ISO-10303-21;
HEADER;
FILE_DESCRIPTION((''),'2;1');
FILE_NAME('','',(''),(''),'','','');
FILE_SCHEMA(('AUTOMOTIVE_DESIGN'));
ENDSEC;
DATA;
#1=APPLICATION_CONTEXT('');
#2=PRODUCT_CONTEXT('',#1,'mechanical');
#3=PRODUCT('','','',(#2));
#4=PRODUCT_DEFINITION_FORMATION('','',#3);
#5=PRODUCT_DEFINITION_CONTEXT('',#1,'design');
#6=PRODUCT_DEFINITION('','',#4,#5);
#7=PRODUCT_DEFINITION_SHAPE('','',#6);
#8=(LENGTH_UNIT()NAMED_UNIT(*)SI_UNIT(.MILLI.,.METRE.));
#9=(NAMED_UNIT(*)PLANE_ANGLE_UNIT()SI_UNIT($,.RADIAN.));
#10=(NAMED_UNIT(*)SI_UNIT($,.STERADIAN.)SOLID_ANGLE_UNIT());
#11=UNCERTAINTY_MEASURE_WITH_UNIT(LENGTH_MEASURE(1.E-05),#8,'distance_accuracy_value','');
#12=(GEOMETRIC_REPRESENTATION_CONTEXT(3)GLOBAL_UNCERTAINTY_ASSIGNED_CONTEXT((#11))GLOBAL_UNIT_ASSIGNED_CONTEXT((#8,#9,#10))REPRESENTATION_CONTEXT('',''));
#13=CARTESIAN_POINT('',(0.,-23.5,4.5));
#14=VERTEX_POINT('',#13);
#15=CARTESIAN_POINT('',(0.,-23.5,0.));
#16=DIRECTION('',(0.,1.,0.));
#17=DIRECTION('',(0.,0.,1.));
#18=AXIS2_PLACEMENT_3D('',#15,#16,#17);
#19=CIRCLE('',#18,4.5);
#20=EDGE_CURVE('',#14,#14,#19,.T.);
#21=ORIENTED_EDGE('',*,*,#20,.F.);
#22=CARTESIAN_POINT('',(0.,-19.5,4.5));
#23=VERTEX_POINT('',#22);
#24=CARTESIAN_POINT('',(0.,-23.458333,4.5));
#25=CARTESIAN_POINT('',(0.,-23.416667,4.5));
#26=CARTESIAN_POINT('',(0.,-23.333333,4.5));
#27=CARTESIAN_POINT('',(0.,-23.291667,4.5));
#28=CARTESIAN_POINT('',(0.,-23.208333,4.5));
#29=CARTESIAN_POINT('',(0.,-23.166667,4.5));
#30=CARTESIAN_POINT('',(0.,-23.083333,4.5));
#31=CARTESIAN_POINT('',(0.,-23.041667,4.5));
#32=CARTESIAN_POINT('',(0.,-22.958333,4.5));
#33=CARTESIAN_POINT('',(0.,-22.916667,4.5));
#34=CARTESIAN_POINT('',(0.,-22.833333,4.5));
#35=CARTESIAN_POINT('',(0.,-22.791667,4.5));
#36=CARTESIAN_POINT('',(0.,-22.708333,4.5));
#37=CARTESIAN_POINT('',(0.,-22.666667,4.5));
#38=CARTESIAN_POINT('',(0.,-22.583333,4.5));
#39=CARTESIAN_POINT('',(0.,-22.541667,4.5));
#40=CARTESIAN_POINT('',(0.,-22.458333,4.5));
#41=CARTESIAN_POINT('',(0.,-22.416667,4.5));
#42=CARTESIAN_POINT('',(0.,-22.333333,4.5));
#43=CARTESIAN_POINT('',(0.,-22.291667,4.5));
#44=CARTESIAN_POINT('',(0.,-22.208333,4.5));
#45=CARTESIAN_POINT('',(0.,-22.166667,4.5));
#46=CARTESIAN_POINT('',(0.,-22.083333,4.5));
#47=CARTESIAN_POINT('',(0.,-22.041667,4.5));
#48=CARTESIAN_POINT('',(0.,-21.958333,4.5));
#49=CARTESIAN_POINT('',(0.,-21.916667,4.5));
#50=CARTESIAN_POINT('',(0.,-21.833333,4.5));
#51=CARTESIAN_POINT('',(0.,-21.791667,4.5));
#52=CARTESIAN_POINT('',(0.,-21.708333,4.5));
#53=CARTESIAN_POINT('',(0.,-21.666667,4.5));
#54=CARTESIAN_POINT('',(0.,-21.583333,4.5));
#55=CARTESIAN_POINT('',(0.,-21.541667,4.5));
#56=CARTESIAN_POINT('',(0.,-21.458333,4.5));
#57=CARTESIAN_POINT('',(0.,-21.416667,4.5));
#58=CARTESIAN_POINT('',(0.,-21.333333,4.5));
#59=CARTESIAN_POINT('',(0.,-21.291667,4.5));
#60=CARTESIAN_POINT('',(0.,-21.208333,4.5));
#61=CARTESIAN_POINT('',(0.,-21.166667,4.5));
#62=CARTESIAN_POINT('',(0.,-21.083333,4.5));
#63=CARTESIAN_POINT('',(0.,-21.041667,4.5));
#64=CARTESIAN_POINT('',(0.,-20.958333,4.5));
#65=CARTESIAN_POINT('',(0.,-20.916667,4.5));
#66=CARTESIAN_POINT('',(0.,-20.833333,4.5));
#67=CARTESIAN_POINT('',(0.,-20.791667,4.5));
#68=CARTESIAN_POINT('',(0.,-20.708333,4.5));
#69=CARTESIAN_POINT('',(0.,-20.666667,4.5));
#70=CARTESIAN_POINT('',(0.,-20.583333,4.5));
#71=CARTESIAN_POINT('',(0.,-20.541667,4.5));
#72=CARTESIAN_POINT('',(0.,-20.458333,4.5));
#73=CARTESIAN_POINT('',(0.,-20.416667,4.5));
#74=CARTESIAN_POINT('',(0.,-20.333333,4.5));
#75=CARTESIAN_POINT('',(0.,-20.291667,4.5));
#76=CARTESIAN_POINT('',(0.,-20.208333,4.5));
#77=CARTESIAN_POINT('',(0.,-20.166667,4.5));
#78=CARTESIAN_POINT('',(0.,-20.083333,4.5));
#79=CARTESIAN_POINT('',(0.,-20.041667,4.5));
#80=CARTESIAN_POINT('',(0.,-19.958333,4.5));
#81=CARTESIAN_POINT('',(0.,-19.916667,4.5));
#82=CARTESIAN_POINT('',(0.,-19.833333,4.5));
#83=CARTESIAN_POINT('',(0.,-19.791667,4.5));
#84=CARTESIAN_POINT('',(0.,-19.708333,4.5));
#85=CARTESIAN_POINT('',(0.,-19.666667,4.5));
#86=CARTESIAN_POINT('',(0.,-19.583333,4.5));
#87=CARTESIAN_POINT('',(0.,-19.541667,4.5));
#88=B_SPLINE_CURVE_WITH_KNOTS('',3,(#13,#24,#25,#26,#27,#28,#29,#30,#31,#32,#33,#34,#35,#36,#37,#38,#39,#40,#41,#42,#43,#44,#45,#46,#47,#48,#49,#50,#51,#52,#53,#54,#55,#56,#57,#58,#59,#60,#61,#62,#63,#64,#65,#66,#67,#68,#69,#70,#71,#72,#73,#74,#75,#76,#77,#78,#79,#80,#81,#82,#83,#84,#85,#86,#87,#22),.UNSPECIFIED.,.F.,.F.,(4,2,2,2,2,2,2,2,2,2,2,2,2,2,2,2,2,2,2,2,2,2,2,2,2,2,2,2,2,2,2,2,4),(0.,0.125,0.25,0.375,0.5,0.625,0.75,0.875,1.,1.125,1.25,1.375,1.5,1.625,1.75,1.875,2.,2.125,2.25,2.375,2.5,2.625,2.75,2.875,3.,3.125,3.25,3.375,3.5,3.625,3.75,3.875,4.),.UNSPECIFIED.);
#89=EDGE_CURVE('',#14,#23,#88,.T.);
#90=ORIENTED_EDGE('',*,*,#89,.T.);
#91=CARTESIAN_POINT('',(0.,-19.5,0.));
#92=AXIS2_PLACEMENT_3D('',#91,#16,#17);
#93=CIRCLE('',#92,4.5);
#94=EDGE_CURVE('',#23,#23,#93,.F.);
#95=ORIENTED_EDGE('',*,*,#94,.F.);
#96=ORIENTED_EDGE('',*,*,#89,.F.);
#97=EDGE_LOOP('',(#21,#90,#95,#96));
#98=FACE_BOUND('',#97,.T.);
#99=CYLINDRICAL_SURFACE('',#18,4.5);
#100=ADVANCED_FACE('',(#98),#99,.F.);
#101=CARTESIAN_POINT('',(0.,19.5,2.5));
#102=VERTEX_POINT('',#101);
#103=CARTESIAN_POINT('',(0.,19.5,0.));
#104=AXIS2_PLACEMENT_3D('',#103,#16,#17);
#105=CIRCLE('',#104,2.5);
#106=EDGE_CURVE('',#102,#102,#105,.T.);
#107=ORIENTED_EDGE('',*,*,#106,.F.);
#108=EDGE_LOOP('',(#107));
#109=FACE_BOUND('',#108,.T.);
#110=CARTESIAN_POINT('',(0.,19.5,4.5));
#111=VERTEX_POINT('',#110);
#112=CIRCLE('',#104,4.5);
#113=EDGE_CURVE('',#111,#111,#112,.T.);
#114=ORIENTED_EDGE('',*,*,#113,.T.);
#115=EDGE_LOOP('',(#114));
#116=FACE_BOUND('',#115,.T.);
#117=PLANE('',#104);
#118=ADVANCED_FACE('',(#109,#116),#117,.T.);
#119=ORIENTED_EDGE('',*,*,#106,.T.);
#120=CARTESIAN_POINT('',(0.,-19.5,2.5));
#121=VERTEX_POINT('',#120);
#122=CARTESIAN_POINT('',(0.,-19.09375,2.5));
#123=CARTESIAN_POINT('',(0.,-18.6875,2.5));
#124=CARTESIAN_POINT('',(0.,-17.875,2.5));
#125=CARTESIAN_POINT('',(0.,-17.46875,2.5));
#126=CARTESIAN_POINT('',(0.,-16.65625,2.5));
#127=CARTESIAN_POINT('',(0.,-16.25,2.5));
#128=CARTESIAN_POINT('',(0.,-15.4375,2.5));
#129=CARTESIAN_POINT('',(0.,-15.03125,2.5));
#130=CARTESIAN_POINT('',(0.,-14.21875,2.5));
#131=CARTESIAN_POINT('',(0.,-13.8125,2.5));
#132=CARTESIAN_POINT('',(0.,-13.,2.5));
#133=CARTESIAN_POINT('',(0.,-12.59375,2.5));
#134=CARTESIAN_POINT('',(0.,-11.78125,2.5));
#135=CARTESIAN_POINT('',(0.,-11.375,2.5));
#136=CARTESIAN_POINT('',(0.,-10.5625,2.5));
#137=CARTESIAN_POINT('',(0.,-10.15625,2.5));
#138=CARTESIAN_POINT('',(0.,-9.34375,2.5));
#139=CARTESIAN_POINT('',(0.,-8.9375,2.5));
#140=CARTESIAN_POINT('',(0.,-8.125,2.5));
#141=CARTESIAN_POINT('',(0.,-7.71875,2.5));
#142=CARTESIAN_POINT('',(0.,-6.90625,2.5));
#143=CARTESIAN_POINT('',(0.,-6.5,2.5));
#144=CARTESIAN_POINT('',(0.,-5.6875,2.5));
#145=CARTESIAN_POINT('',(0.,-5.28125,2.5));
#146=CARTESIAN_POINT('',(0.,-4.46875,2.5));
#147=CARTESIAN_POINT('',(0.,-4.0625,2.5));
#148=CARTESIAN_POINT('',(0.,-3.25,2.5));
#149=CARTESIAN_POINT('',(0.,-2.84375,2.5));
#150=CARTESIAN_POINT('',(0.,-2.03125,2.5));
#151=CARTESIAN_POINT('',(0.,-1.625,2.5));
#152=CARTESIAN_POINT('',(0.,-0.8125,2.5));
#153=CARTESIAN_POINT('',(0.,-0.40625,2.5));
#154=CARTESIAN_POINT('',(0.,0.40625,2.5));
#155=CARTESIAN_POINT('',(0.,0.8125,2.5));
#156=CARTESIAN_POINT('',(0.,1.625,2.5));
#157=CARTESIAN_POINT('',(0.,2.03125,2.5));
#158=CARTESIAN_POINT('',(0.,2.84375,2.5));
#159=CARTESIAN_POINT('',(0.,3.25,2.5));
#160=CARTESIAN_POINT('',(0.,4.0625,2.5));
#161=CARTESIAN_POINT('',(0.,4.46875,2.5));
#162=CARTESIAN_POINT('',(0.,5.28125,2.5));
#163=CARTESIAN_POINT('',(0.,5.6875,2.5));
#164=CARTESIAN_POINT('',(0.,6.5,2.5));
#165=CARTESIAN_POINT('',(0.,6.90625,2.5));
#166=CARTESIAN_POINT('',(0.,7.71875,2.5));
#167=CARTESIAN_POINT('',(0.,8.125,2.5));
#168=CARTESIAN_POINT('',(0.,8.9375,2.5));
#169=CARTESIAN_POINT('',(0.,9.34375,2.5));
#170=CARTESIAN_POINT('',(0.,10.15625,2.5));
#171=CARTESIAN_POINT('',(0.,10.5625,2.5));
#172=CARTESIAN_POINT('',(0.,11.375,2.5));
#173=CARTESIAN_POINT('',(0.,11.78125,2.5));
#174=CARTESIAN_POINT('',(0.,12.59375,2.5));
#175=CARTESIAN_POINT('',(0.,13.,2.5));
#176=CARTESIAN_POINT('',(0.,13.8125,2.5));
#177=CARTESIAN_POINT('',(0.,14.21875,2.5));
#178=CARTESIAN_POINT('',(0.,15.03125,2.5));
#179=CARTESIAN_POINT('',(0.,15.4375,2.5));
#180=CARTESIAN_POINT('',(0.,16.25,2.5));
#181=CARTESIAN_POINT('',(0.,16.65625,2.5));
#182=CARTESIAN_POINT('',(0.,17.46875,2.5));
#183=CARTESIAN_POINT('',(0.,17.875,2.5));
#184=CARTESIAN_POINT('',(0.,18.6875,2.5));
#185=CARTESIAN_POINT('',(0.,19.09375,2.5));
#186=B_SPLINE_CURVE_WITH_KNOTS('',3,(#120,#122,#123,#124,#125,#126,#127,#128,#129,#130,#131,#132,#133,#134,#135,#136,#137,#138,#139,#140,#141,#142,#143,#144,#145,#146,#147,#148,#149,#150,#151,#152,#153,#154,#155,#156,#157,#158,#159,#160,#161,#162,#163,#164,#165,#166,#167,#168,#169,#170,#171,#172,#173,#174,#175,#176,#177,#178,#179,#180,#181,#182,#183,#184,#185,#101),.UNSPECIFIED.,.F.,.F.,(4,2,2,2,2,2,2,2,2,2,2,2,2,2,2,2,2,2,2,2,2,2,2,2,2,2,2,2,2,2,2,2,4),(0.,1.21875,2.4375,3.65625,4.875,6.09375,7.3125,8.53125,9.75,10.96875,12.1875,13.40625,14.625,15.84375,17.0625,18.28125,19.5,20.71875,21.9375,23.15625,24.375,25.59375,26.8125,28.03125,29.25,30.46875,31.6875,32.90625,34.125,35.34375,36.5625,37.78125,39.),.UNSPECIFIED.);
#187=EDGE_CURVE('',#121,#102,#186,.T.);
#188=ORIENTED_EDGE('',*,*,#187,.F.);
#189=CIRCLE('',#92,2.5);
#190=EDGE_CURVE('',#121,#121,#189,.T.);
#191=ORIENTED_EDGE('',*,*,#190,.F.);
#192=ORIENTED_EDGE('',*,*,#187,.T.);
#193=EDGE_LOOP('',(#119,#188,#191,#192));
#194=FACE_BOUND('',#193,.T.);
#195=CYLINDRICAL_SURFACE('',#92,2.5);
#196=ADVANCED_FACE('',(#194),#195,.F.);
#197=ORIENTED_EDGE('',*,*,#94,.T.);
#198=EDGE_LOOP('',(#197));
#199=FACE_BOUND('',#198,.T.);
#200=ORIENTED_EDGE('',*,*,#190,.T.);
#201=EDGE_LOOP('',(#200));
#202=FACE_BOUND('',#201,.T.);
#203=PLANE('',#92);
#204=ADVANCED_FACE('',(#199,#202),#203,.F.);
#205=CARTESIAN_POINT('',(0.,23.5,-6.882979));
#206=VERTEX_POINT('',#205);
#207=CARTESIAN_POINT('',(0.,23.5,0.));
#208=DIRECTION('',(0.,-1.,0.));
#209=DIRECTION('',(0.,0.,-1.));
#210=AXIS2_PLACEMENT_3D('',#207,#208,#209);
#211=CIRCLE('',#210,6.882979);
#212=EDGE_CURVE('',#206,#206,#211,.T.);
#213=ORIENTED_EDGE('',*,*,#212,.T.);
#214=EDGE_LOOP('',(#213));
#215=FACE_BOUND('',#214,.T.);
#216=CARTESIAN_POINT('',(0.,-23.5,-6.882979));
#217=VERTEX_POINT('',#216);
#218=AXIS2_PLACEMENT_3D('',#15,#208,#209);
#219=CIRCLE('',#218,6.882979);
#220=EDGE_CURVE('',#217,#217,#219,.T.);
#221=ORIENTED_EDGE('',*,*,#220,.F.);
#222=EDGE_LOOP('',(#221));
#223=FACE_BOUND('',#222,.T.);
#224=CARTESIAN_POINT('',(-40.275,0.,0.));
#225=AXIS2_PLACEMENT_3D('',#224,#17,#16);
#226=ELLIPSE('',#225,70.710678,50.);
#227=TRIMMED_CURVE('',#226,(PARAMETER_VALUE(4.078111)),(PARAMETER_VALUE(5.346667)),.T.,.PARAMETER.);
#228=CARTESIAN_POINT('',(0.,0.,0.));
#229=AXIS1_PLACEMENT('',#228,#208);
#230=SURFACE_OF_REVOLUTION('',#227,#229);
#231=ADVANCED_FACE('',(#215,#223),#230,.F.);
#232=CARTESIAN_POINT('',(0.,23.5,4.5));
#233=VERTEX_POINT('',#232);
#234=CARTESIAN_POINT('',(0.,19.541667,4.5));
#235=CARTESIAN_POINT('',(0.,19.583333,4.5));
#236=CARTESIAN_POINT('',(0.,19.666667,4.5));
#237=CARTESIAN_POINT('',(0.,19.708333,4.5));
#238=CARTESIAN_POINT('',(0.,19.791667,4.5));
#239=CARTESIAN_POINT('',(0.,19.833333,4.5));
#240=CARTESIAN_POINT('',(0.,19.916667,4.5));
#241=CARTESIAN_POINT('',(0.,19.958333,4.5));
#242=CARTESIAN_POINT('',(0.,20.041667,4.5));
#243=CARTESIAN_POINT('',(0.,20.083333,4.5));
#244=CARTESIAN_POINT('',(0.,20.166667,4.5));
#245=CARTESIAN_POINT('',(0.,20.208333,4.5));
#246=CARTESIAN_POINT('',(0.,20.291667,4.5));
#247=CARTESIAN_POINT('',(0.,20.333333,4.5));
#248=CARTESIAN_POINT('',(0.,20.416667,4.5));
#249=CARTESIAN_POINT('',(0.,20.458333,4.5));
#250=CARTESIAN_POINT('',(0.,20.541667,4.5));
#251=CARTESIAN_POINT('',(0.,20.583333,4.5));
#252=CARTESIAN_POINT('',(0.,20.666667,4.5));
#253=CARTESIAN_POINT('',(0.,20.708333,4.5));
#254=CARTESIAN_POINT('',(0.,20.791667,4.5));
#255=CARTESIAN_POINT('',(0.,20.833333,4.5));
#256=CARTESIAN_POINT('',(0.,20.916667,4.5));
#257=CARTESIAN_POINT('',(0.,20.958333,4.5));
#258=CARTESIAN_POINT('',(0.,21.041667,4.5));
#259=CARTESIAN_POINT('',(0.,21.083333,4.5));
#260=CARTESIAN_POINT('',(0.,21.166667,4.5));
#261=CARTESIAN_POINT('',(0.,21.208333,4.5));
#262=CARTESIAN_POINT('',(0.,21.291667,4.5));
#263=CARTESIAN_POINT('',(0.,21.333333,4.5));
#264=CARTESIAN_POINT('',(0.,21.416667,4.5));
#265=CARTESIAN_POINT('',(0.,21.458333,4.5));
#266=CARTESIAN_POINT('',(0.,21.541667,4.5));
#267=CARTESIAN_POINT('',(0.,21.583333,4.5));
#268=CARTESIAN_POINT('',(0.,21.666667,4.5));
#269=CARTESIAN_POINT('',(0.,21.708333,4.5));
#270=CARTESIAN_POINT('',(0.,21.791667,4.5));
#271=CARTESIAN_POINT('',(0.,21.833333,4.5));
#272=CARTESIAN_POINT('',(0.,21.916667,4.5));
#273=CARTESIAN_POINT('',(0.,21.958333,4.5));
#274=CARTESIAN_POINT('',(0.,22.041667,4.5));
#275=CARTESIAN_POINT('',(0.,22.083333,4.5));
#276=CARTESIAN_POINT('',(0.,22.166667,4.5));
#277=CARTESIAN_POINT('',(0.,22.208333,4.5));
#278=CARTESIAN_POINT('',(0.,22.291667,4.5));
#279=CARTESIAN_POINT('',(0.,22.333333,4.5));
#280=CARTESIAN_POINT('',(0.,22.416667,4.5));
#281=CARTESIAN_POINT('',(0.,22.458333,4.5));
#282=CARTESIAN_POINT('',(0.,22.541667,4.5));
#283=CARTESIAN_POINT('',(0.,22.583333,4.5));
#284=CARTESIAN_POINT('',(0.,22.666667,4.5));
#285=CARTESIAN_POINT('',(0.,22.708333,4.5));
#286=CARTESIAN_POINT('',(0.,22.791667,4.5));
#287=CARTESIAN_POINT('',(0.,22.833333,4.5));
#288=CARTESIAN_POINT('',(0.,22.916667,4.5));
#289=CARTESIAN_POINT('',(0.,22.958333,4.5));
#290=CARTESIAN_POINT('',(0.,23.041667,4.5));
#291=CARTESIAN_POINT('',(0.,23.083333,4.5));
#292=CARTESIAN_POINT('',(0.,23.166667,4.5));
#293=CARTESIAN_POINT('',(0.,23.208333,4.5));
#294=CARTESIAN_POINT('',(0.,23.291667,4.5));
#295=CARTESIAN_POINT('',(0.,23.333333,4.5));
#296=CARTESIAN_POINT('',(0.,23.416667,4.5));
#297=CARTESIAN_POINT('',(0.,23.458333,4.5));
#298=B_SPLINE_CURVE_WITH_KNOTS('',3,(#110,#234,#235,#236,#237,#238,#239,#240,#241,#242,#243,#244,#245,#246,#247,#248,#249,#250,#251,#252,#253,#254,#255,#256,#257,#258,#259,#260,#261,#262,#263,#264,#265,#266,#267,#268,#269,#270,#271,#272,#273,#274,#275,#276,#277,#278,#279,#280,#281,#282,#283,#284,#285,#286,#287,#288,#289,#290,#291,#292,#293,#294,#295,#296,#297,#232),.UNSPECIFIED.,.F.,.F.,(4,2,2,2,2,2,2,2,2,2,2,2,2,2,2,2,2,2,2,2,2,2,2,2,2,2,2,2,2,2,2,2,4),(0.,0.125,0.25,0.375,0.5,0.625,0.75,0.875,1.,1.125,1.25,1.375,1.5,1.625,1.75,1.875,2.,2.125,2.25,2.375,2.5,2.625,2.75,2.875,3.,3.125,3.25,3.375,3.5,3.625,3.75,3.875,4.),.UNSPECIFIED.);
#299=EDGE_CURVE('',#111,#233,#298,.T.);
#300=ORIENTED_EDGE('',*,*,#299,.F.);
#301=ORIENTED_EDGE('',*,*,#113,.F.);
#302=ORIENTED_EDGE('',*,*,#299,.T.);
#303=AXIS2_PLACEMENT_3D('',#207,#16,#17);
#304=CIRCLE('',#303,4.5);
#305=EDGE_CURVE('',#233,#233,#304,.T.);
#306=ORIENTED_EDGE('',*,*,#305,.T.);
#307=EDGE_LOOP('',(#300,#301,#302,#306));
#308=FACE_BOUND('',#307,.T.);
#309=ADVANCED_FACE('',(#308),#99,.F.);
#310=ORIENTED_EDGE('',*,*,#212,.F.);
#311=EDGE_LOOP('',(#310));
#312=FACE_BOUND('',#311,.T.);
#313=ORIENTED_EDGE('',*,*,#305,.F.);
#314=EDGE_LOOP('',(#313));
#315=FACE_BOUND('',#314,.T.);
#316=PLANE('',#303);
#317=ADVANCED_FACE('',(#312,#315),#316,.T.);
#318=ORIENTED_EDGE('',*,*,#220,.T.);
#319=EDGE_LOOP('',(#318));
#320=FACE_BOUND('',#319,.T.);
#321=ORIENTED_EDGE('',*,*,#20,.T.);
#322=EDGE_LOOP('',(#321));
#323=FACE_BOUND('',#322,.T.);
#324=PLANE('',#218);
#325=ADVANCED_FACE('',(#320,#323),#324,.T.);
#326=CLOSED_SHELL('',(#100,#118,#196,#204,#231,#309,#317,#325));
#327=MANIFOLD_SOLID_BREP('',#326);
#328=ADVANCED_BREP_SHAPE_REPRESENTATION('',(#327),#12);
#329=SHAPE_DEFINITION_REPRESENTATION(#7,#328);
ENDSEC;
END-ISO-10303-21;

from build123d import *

# Parameters (mm, degrees)
SKETCH_2_R           = 4.5
CUT_EXTRUDE_1_DEPTH  = 49.970922631
EXTRUDE_1_DEPTH      = 19.5
EXTRUDE_1_DEPTH_BACK = 19.5
SKETCH_3_R           = 4.5
SKETCH_3_R_2         = 2.5


with BuildPart() as part:
    # ｽｹｯﾁ1 → 回転1 (revolve)
    with BuildSketch(Plane.XY):
        with BuildLine():
            Line((0, 23.5), (6.882979176, 23.5))
            add(Edge.make_bspline(
                [(6.882979176, -23.5), (12.738297933, 0), (6.882979176, 23.5)],
                knots=[4.373605266, 4.373605266, 4.373605266, 5.051172695, 5.051172695, 5.051172695], degree=2, weights=[1, 0.943159584, 1]))
            Line((6.882979176, -23.5), (0, -23.5))
            Line((0, -23.5), (0, 23.5))
        make_face()
    revolve(axis=Axis((0, 0, 0), (0, 1, 0)))

    # ｽｹｯﾁ2 → ｶｯﾄ - 押し出し1 (cut, through all)
    with BuildSketch(Plane(origin=(0, 23.5, 0), x_dir=(1, 0, 0), z_dir=(0, 1, 0))):
        with Locations(Location((0, 0, 0), (0, 0, 270))):
            Circle(SKETCH_2_R)
    extrude(amount=-CUT_EXTRUDE_1_DEPTH, mode=Mode.SUBTRACT)

    # ｽｹｯﾁ3 → ﾎﾞｽ - 押し出し1 (add, two sides: drawn at the far end of the back side and taken through both)
    with BuildSketch(Plane(origin=(0, 0, 0), x_dir=(1, 0, 0), z_dir=(0, 1, 0)).offset(-EXTRUDE_1_DEPTH_BACK)):
        with Locations(Location((0, 0, 0), (0, 0, 270))):
            Circle(SKETCH_3_R)
        with Locations(Location((0, 0, 0), (0, 0, 270))):
            Circle(SKETCH_3_R_2, mode=Mode.SUBTRACT)
    extrude(amount=EXTRUDE_1_DEPTH + EXTRUDE_1_DEPTH_BACK)


solid = part.part
